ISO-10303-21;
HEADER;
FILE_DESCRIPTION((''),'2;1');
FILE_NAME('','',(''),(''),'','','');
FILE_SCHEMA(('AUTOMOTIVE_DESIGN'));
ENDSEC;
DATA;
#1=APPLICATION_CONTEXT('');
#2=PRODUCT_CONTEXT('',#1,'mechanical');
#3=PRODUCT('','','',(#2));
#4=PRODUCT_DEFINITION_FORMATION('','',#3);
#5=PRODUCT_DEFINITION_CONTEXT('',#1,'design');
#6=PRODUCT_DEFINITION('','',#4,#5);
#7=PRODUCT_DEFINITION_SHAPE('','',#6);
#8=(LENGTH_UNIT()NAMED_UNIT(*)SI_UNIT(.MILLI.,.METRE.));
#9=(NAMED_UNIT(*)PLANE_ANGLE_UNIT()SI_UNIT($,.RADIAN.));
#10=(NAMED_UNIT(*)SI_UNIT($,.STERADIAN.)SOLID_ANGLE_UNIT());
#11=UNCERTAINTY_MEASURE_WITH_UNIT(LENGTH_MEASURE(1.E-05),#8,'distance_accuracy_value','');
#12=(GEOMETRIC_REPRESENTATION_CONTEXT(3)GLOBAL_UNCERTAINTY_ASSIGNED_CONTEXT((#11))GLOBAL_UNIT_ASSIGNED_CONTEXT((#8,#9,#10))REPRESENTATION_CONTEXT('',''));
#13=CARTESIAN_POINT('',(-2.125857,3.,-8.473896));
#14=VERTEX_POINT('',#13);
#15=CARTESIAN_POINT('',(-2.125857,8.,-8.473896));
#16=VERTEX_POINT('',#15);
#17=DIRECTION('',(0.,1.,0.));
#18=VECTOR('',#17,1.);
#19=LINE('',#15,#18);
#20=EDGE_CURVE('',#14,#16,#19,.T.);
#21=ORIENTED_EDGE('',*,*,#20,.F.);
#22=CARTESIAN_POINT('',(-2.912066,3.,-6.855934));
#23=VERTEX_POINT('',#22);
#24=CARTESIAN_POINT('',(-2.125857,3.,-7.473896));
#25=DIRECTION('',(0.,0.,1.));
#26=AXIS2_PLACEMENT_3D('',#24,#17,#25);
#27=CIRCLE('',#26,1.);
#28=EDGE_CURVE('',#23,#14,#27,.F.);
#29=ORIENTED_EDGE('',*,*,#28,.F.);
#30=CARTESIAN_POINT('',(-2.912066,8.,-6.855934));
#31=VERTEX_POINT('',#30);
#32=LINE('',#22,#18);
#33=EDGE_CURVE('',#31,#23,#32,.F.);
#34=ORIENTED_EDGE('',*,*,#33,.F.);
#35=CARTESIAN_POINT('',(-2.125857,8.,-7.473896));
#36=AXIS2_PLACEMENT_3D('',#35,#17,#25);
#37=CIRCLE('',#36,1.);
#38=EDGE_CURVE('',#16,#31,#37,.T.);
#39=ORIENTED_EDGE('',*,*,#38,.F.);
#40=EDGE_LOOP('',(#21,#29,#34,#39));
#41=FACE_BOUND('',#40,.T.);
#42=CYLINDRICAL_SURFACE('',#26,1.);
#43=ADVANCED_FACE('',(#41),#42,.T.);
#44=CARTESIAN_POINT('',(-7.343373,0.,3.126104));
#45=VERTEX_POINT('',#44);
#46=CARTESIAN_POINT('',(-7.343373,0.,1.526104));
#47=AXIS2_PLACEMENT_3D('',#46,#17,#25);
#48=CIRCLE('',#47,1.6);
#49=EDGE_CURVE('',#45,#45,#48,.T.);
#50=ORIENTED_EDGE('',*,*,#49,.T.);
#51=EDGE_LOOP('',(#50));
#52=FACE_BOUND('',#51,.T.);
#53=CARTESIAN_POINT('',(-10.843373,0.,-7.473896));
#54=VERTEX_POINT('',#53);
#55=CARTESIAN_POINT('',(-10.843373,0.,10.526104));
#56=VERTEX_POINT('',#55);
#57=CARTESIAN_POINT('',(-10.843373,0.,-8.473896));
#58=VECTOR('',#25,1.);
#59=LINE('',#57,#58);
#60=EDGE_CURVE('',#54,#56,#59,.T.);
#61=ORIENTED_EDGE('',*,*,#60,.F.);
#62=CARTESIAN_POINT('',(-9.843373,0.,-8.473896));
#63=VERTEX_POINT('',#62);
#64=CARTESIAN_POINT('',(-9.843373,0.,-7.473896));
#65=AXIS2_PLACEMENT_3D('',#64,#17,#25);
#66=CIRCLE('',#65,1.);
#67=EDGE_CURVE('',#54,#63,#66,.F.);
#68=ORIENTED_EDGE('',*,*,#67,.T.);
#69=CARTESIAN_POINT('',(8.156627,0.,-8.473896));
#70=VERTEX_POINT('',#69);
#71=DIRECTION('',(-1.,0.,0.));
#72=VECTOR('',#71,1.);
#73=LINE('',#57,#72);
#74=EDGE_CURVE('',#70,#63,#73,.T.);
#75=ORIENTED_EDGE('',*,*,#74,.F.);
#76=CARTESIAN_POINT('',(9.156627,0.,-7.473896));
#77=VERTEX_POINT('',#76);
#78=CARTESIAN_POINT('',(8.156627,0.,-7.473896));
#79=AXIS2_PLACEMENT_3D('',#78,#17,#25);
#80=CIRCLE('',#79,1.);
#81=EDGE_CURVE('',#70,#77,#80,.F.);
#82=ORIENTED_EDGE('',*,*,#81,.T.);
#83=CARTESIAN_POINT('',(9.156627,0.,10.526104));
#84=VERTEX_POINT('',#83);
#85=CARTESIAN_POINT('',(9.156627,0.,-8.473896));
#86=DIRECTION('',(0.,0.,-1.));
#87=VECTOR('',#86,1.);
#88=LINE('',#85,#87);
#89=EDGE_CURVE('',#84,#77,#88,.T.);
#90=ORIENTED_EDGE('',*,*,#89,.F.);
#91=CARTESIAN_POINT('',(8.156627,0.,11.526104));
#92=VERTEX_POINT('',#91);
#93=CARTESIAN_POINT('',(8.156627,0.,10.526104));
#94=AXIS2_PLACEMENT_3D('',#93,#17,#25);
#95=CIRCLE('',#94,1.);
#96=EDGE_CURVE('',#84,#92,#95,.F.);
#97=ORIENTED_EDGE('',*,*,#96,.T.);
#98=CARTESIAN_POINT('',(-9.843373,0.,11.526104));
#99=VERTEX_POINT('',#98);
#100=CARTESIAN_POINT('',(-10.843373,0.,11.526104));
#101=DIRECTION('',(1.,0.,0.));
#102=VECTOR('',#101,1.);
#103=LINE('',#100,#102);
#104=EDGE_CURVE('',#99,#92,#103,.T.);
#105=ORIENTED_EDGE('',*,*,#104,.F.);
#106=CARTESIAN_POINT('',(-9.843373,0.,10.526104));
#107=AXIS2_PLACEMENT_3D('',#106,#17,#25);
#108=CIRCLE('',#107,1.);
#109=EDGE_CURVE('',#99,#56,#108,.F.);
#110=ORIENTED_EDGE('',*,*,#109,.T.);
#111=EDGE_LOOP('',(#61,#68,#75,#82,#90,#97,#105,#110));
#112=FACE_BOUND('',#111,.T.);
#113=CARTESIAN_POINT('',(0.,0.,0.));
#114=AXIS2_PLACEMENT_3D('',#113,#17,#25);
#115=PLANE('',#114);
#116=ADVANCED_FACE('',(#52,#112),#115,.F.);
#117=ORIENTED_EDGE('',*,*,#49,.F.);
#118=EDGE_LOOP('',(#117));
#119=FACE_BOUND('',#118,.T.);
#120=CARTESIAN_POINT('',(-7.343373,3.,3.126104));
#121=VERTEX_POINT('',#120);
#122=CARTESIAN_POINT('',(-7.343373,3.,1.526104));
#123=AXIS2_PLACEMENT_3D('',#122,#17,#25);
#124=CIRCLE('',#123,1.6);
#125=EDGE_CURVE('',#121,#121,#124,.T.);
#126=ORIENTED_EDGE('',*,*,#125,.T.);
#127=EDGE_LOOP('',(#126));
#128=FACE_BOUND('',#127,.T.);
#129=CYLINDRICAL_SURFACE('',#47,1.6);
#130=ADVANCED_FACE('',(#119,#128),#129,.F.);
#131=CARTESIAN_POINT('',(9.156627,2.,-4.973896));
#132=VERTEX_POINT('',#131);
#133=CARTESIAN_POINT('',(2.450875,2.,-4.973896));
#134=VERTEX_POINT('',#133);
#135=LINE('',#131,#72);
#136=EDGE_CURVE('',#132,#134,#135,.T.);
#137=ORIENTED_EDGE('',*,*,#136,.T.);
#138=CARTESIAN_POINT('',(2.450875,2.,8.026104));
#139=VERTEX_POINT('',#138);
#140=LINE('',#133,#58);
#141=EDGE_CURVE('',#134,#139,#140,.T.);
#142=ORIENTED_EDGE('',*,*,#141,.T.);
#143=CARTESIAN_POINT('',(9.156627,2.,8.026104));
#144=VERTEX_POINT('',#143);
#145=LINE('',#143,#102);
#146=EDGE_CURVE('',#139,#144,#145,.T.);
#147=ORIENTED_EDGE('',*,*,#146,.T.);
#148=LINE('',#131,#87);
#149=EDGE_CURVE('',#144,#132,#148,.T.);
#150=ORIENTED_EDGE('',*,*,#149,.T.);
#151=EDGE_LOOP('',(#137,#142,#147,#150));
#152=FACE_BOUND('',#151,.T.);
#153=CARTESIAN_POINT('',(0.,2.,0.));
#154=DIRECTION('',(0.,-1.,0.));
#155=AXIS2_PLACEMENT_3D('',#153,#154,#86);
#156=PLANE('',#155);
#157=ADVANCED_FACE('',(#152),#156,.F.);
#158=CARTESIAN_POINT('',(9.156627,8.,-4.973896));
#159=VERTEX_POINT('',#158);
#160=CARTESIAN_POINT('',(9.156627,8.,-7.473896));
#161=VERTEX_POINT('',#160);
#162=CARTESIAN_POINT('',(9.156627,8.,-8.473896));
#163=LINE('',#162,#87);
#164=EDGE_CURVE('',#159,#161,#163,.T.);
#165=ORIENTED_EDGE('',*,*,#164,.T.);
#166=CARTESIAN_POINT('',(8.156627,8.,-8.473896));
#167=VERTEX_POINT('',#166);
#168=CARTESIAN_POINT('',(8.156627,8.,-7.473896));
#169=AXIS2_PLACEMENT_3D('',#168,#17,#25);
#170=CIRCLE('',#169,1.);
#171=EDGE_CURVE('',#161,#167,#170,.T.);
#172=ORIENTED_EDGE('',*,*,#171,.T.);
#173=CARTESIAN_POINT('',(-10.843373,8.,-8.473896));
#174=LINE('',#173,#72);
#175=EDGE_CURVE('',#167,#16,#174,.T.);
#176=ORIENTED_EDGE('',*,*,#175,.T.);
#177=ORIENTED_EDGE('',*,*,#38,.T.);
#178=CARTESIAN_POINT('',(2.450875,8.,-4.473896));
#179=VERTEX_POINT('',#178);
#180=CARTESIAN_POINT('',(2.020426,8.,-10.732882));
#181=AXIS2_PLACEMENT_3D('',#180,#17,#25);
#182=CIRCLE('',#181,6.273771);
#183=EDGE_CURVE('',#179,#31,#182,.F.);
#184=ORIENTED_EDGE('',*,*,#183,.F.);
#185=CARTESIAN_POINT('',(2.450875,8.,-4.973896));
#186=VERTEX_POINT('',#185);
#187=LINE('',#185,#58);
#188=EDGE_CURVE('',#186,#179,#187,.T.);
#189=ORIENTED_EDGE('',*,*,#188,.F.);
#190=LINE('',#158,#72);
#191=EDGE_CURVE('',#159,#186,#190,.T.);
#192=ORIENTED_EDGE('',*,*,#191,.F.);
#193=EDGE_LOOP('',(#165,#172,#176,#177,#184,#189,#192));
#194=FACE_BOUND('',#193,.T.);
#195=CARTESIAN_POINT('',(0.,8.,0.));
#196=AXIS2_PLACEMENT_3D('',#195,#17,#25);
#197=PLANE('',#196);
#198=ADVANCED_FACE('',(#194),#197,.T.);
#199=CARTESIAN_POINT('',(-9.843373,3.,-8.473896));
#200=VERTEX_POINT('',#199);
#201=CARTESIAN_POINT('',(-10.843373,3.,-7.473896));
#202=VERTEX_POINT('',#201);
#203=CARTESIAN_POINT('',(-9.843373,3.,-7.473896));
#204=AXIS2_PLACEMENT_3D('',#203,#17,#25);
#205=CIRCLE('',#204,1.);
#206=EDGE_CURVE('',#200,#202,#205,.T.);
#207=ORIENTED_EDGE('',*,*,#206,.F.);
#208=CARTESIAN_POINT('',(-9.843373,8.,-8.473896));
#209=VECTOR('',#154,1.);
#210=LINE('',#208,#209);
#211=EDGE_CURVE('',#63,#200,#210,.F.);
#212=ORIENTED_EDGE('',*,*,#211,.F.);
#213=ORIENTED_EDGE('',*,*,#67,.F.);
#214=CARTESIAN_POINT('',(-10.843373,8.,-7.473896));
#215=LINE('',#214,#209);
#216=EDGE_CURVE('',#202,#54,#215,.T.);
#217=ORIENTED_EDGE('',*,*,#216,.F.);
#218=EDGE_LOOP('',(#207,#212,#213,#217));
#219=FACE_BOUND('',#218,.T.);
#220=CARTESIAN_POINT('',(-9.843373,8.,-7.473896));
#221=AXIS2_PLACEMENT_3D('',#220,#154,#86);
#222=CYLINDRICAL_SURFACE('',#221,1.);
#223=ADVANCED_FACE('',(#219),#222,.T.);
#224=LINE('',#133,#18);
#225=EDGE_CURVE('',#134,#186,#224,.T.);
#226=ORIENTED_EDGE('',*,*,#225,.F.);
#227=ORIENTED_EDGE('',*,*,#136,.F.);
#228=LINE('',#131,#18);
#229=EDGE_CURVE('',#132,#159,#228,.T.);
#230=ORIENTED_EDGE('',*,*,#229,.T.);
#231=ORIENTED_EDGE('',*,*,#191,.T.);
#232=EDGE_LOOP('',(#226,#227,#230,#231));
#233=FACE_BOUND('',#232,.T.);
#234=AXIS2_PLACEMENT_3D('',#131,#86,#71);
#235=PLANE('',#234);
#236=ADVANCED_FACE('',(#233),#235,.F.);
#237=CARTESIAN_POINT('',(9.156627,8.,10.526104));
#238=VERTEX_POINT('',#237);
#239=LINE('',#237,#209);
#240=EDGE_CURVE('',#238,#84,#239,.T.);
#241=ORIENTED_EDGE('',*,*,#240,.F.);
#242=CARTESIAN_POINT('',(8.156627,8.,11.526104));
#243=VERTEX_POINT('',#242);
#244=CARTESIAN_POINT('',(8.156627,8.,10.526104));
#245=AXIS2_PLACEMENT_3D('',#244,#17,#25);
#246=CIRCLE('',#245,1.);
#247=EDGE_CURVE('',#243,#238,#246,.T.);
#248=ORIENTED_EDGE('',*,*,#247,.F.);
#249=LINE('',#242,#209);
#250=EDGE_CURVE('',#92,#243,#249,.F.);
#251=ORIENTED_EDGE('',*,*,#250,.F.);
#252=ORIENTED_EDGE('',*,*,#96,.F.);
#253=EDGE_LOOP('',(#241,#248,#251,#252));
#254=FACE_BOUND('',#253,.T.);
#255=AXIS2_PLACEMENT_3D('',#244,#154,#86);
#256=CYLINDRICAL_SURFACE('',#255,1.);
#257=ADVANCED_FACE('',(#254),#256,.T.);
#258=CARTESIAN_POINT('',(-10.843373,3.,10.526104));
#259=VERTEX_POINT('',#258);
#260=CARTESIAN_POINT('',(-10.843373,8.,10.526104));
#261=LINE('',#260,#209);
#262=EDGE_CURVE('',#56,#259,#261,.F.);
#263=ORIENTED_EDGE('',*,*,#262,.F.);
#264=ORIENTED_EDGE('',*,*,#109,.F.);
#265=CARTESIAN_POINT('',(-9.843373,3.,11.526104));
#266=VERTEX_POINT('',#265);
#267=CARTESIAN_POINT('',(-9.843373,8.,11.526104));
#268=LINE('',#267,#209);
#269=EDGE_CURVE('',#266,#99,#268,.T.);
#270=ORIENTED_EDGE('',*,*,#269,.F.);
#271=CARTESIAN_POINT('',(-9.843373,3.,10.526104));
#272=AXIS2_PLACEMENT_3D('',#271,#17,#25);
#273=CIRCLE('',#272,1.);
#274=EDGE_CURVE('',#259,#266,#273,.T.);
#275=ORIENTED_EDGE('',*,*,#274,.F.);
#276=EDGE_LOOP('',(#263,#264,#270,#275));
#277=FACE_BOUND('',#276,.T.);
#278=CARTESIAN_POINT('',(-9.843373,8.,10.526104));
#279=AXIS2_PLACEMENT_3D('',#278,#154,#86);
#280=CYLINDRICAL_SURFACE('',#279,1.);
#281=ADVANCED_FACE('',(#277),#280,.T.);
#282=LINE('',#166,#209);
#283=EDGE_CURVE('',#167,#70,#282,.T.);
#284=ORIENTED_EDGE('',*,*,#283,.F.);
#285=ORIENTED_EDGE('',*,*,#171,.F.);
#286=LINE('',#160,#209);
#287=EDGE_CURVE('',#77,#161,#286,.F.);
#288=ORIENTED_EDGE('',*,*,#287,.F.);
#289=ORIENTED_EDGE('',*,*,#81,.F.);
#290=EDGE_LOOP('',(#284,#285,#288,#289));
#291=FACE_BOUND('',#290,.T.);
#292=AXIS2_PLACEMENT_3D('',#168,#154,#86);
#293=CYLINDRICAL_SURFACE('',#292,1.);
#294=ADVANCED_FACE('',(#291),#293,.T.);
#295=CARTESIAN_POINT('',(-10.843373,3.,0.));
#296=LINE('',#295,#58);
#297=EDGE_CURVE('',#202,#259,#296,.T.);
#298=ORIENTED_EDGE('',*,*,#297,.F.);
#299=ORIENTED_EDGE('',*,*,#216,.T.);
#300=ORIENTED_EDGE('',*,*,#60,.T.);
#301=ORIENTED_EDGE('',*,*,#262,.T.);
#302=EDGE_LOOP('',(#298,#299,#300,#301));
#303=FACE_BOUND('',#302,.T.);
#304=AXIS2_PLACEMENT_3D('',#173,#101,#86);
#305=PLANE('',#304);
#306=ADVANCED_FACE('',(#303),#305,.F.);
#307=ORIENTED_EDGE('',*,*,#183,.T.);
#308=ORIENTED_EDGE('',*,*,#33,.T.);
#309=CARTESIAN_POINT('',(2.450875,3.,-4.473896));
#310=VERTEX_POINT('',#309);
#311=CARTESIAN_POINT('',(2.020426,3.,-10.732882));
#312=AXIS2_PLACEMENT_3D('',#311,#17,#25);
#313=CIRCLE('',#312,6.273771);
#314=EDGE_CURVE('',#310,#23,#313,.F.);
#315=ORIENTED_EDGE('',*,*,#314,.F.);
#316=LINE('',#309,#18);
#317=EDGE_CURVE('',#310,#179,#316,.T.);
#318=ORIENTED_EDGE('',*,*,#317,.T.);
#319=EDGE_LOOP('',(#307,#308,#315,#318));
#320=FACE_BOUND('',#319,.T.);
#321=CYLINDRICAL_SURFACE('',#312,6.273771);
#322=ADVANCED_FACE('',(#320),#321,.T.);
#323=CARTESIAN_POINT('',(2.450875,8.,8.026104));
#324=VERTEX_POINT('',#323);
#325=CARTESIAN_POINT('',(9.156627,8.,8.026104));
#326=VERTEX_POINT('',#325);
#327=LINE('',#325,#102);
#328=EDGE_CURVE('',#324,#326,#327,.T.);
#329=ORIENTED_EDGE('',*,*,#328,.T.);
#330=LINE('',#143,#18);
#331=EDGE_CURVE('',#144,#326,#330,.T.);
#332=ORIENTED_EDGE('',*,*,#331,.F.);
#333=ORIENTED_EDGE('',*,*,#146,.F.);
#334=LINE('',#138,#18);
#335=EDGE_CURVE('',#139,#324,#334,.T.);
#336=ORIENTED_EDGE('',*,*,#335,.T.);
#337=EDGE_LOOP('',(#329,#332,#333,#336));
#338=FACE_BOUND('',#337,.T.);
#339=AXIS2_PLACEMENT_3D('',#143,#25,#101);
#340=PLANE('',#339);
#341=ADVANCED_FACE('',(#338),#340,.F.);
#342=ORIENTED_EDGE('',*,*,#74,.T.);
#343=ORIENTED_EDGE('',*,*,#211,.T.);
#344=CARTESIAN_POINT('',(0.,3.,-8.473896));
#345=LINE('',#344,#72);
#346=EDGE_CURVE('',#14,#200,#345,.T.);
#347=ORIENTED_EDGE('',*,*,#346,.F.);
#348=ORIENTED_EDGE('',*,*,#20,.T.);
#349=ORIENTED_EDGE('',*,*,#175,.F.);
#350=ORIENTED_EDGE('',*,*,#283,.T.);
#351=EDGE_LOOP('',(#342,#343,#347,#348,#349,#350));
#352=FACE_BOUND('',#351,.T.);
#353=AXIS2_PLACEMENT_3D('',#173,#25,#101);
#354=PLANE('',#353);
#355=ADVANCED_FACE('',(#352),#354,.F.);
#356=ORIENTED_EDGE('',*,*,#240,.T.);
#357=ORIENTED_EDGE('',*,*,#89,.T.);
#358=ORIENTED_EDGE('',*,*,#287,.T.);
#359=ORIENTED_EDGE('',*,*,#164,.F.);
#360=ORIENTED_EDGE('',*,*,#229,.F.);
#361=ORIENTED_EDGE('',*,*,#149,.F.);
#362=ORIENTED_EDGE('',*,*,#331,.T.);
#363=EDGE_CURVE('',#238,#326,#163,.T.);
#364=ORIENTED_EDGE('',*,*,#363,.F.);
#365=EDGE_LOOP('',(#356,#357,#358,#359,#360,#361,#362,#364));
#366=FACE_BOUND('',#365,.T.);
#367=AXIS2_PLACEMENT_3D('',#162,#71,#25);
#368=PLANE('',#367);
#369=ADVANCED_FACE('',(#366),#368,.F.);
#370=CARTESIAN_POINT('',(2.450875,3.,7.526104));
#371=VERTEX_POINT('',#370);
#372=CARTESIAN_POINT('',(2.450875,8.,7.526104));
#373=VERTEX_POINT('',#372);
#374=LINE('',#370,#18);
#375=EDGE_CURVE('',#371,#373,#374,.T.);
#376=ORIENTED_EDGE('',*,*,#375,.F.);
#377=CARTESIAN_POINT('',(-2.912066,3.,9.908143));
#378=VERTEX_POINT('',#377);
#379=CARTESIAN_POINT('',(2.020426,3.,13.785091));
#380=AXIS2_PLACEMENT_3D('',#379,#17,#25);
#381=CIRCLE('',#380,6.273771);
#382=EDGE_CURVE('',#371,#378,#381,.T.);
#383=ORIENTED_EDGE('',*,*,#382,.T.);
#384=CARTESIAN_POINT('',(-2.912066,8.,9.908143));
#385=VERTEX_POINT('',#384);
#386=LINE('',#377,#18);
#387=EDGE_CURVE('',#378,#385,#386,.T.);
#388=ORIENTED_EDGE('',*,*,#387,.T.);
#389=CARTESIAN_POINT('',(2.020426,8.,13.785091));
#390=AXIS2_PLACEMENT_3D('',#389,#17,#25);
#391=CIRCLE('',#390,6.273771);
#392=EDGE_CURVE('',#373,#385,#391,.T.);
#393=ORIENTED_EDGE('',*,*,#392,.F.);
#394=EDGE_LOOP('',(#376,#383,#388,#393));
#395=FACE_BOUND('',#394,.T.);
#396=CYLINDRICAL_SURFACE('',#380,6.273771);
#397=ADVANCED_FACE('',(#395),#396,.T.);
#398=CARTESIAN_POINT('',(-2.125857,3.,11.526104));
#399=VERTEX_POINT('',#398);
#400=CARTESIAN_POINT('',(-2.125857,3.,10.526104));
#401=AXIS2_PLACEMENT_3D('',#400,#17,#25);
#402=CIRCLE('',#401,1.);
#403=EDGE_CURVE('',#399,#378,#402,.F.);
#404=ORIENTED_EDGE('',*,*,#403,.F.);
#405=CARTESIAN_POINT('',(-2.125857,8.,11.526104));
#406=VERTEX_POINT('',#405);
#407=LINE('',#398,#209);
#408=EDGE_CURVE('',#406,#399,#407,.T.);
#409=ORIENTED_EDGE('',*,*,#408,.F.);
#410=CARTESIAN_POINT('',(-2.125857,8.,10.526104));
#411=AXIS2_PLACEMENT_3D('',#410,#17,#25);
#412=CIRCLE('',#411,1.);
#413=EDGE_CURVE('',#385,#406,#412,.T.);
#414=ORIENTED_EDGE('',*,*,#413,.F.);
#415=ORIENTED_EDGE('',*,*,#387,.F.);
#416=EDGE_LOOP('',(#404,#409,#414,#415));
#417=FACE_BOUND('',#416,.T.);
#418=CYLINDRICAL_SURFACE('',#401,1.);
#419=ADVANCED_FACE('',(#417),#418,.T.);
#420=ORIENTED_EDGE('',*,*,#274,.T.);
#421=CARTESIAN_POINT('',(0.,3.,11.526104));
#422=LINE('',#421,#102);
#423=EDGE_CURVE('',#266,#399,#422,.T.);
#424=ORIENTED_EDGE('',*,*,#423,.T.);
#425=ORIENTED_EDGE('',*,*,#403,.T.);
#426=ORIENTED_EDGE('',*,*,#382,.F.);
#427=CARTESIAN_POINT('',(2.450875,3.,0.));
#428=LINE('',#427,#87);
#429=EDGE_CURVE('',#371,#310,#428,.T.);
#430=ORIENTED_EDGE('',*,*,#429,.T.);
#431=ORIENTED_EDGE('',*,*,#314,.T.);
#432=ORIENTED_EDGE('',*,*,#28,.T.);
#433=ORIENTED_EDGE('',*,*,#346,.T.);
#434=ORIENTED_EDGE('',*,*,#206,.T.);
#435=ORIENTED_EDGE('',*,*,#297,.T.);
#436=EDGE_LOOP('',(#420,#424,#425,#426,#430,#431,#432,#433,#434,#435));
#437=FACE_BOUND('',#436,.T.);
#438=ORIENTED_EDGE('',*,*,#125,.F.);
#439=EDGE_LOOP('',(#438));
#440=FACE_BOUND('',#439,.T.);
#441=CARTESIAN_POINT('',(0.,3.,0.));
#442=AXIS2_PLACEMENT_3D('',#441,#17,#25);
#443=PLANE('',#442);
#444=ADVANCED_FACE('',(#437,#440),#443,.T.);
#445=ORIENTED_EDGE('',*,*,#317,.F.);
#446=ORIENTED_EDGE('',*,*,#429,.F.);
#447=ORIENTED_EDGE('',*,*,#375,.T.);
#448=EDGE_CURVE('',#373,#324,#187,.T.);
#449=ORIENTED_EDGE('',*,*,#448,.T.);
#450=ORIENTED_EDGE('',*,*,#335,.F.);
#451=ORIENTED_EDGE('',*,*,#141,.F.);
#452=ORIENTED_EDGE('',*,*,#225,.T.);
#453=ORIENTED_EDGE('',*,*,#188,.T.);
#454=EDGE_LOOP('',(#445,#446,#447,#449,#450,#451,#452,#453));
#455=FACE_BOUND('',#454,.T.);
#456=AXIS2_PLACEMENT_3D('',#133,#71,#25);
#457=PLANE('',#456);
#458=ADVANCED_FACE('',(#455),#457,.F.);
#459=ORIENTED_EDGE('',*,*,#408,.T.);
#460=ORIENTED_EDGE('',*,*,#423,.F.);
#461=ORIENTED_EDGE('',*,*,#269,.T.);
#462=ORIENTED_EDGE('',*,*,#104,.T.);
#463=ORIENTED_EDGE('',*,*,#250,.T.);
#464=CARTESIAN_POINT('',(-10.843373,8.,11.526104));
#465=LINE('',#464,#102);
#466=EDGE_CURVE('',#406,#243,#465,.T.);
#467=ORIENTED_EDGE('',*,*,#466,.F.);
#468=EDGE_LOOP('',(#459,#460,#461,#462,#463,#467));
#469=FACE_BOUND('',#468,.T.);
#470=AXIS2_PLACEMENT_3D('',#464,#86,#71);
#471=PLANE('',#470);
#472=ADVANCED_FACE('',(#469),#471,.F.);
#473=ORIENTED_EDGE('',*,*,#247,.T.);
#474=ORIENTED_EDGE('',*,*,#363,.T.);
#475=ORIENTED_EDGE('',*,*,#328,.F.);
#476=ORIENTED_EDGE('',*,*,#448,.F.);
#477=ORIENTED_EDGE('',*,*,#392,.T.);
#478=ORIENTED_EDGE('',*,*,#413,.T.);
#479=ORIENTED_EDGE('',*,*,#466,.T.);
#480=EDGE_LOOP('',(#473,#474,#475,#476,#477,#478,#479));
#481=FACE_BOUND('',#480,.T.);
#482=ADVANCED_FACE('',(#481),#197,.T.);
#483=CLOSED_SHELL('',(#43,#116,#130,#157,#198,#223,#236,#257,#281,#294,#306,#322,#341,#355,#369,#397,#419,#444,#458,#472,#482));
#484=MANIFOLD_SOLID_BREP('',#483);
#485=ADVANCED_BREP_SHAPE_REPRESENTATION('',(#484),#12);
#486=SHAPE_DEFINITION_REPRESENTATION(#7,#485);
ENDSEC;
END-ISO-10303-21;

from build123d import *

# Parameters (mm, degrees)
CROQUIS2_W              = 20
CROQUIS2_H              = 20
SALIENTE_EXTRUIR1_DEPTH = 8
CROQUIS3_W              = 6.705751287
CROQUIS3_H              = 13
CORTAR_EXTRUIR1_DEPTH   = 6
CORTAR_EXTRUIR2_DEPTH   = 5
CROQUIS6_R              = 1.6
CORTAR_EXTRUIR3_DEPTH   = 3
REDONDEO1_R             = 1


with BuildPart() as part:
    # Croquis2 → Saliente-Extruir1 (new body)
    with BuildSketch(Plane(origin=(0, 0, 0), x_dir=(1, 0, 0), z_dir=(0, 1, 0))):
        with Locations((-0.843373494, -1.526104418)):
            Rectangle(CROQUIS2_W, CROQUIS2_H)
    extrude(amount=SALIENTE_EXTRUIR1_DEPTH)

    # Croquis3 → Cortar-Extruir1 (cut)
    with BuildSketch(Plane(origin=(0, 8, 0), x_dir=(1, 0, 0), z_dir=(0, 1, 0))):
        with Locations((5.803750863, -1.526104418)):
            Rectangle(CROQUIS3_W, CROQUIS3_H)
    extrude(amount=-CORTAR_EXTRUIR1_DEPTH, mode=Mode.SUBTRACT)

    # Croquis5 → Cortar-Extruir2 (cut)
    with BuildSketch(Plane(origin=(0, 8, 0), x_dir=(1, 0, 0), z_dir=(0, 1, 0))):
        with BuildLine():
            Line((2.450875219, -7.526104418), (2.450875219, 4.473895582))
            ThreePointArc((2.450875219, 4.473895582), (2.020425803, 4.459111389), (1.589976387, 4.473895582))
            ThreePointArc((1.589976387, 4.473895582), (-1.703861847, 5.684131739), (-3.832537389, 8.473895582))
            Line((-3.832537389, 8.473895582), (-10.843373494, 8.473895582))
            Line((-10.843373494, 8.473895582), (-10.843373494, -11.526104418))
            Line((-10.843373494, -11.526104418), (-3.832537389, -11.526104418))
            ThreePointArc((-3.832537389, -11.526104418), (-1.703861847, -8.736340574), (1.589976387, -7.526104418))
            ThreePointArc((1.589976387, -7.526104418), (2.020425803, -7.511320225), (2.450875219, -7.526104418))
        make_face()
    extrude(amount=-CORTAR_EXTRUIR2_DEPTH, mode=Mode.SUBTRACT)

    # Croquis6 → Cortar-Extruir3 (cut)
    with BuildSketch(Plane(origin=(0, 3, 0), x_dir=(1, 0, 0), z_dir=(0, 1, 0))):
        with Locations(Location((-7.343373494, -1.526104418, 0), (0, 0, 270))):
            Circle(CROQUIS6_R)
    extrude(amount=-CORTAR_EXTRUIR3_DEPTH, mode=Mode.SUBTRACT)

    # Redondeo1
    redondeo1_edges = [part.edges().sort_by_distance(p)[0] for p in [
        (-10.843373494, 1.5, -8.473895582),
        (-10.843373494, 1.5, 11.526104418),
        (-3.832537389, 5.5, 11.526104418),
        (-3.832537389, 5.5, -8.473895582),
        (9.156626506, 4, -8.473895582),
        (9.156626506, 4, 11.526104418),
    ]]
    fillet(redondeo1_edges, radius=REDONDEO1_R)


solid = part.part
